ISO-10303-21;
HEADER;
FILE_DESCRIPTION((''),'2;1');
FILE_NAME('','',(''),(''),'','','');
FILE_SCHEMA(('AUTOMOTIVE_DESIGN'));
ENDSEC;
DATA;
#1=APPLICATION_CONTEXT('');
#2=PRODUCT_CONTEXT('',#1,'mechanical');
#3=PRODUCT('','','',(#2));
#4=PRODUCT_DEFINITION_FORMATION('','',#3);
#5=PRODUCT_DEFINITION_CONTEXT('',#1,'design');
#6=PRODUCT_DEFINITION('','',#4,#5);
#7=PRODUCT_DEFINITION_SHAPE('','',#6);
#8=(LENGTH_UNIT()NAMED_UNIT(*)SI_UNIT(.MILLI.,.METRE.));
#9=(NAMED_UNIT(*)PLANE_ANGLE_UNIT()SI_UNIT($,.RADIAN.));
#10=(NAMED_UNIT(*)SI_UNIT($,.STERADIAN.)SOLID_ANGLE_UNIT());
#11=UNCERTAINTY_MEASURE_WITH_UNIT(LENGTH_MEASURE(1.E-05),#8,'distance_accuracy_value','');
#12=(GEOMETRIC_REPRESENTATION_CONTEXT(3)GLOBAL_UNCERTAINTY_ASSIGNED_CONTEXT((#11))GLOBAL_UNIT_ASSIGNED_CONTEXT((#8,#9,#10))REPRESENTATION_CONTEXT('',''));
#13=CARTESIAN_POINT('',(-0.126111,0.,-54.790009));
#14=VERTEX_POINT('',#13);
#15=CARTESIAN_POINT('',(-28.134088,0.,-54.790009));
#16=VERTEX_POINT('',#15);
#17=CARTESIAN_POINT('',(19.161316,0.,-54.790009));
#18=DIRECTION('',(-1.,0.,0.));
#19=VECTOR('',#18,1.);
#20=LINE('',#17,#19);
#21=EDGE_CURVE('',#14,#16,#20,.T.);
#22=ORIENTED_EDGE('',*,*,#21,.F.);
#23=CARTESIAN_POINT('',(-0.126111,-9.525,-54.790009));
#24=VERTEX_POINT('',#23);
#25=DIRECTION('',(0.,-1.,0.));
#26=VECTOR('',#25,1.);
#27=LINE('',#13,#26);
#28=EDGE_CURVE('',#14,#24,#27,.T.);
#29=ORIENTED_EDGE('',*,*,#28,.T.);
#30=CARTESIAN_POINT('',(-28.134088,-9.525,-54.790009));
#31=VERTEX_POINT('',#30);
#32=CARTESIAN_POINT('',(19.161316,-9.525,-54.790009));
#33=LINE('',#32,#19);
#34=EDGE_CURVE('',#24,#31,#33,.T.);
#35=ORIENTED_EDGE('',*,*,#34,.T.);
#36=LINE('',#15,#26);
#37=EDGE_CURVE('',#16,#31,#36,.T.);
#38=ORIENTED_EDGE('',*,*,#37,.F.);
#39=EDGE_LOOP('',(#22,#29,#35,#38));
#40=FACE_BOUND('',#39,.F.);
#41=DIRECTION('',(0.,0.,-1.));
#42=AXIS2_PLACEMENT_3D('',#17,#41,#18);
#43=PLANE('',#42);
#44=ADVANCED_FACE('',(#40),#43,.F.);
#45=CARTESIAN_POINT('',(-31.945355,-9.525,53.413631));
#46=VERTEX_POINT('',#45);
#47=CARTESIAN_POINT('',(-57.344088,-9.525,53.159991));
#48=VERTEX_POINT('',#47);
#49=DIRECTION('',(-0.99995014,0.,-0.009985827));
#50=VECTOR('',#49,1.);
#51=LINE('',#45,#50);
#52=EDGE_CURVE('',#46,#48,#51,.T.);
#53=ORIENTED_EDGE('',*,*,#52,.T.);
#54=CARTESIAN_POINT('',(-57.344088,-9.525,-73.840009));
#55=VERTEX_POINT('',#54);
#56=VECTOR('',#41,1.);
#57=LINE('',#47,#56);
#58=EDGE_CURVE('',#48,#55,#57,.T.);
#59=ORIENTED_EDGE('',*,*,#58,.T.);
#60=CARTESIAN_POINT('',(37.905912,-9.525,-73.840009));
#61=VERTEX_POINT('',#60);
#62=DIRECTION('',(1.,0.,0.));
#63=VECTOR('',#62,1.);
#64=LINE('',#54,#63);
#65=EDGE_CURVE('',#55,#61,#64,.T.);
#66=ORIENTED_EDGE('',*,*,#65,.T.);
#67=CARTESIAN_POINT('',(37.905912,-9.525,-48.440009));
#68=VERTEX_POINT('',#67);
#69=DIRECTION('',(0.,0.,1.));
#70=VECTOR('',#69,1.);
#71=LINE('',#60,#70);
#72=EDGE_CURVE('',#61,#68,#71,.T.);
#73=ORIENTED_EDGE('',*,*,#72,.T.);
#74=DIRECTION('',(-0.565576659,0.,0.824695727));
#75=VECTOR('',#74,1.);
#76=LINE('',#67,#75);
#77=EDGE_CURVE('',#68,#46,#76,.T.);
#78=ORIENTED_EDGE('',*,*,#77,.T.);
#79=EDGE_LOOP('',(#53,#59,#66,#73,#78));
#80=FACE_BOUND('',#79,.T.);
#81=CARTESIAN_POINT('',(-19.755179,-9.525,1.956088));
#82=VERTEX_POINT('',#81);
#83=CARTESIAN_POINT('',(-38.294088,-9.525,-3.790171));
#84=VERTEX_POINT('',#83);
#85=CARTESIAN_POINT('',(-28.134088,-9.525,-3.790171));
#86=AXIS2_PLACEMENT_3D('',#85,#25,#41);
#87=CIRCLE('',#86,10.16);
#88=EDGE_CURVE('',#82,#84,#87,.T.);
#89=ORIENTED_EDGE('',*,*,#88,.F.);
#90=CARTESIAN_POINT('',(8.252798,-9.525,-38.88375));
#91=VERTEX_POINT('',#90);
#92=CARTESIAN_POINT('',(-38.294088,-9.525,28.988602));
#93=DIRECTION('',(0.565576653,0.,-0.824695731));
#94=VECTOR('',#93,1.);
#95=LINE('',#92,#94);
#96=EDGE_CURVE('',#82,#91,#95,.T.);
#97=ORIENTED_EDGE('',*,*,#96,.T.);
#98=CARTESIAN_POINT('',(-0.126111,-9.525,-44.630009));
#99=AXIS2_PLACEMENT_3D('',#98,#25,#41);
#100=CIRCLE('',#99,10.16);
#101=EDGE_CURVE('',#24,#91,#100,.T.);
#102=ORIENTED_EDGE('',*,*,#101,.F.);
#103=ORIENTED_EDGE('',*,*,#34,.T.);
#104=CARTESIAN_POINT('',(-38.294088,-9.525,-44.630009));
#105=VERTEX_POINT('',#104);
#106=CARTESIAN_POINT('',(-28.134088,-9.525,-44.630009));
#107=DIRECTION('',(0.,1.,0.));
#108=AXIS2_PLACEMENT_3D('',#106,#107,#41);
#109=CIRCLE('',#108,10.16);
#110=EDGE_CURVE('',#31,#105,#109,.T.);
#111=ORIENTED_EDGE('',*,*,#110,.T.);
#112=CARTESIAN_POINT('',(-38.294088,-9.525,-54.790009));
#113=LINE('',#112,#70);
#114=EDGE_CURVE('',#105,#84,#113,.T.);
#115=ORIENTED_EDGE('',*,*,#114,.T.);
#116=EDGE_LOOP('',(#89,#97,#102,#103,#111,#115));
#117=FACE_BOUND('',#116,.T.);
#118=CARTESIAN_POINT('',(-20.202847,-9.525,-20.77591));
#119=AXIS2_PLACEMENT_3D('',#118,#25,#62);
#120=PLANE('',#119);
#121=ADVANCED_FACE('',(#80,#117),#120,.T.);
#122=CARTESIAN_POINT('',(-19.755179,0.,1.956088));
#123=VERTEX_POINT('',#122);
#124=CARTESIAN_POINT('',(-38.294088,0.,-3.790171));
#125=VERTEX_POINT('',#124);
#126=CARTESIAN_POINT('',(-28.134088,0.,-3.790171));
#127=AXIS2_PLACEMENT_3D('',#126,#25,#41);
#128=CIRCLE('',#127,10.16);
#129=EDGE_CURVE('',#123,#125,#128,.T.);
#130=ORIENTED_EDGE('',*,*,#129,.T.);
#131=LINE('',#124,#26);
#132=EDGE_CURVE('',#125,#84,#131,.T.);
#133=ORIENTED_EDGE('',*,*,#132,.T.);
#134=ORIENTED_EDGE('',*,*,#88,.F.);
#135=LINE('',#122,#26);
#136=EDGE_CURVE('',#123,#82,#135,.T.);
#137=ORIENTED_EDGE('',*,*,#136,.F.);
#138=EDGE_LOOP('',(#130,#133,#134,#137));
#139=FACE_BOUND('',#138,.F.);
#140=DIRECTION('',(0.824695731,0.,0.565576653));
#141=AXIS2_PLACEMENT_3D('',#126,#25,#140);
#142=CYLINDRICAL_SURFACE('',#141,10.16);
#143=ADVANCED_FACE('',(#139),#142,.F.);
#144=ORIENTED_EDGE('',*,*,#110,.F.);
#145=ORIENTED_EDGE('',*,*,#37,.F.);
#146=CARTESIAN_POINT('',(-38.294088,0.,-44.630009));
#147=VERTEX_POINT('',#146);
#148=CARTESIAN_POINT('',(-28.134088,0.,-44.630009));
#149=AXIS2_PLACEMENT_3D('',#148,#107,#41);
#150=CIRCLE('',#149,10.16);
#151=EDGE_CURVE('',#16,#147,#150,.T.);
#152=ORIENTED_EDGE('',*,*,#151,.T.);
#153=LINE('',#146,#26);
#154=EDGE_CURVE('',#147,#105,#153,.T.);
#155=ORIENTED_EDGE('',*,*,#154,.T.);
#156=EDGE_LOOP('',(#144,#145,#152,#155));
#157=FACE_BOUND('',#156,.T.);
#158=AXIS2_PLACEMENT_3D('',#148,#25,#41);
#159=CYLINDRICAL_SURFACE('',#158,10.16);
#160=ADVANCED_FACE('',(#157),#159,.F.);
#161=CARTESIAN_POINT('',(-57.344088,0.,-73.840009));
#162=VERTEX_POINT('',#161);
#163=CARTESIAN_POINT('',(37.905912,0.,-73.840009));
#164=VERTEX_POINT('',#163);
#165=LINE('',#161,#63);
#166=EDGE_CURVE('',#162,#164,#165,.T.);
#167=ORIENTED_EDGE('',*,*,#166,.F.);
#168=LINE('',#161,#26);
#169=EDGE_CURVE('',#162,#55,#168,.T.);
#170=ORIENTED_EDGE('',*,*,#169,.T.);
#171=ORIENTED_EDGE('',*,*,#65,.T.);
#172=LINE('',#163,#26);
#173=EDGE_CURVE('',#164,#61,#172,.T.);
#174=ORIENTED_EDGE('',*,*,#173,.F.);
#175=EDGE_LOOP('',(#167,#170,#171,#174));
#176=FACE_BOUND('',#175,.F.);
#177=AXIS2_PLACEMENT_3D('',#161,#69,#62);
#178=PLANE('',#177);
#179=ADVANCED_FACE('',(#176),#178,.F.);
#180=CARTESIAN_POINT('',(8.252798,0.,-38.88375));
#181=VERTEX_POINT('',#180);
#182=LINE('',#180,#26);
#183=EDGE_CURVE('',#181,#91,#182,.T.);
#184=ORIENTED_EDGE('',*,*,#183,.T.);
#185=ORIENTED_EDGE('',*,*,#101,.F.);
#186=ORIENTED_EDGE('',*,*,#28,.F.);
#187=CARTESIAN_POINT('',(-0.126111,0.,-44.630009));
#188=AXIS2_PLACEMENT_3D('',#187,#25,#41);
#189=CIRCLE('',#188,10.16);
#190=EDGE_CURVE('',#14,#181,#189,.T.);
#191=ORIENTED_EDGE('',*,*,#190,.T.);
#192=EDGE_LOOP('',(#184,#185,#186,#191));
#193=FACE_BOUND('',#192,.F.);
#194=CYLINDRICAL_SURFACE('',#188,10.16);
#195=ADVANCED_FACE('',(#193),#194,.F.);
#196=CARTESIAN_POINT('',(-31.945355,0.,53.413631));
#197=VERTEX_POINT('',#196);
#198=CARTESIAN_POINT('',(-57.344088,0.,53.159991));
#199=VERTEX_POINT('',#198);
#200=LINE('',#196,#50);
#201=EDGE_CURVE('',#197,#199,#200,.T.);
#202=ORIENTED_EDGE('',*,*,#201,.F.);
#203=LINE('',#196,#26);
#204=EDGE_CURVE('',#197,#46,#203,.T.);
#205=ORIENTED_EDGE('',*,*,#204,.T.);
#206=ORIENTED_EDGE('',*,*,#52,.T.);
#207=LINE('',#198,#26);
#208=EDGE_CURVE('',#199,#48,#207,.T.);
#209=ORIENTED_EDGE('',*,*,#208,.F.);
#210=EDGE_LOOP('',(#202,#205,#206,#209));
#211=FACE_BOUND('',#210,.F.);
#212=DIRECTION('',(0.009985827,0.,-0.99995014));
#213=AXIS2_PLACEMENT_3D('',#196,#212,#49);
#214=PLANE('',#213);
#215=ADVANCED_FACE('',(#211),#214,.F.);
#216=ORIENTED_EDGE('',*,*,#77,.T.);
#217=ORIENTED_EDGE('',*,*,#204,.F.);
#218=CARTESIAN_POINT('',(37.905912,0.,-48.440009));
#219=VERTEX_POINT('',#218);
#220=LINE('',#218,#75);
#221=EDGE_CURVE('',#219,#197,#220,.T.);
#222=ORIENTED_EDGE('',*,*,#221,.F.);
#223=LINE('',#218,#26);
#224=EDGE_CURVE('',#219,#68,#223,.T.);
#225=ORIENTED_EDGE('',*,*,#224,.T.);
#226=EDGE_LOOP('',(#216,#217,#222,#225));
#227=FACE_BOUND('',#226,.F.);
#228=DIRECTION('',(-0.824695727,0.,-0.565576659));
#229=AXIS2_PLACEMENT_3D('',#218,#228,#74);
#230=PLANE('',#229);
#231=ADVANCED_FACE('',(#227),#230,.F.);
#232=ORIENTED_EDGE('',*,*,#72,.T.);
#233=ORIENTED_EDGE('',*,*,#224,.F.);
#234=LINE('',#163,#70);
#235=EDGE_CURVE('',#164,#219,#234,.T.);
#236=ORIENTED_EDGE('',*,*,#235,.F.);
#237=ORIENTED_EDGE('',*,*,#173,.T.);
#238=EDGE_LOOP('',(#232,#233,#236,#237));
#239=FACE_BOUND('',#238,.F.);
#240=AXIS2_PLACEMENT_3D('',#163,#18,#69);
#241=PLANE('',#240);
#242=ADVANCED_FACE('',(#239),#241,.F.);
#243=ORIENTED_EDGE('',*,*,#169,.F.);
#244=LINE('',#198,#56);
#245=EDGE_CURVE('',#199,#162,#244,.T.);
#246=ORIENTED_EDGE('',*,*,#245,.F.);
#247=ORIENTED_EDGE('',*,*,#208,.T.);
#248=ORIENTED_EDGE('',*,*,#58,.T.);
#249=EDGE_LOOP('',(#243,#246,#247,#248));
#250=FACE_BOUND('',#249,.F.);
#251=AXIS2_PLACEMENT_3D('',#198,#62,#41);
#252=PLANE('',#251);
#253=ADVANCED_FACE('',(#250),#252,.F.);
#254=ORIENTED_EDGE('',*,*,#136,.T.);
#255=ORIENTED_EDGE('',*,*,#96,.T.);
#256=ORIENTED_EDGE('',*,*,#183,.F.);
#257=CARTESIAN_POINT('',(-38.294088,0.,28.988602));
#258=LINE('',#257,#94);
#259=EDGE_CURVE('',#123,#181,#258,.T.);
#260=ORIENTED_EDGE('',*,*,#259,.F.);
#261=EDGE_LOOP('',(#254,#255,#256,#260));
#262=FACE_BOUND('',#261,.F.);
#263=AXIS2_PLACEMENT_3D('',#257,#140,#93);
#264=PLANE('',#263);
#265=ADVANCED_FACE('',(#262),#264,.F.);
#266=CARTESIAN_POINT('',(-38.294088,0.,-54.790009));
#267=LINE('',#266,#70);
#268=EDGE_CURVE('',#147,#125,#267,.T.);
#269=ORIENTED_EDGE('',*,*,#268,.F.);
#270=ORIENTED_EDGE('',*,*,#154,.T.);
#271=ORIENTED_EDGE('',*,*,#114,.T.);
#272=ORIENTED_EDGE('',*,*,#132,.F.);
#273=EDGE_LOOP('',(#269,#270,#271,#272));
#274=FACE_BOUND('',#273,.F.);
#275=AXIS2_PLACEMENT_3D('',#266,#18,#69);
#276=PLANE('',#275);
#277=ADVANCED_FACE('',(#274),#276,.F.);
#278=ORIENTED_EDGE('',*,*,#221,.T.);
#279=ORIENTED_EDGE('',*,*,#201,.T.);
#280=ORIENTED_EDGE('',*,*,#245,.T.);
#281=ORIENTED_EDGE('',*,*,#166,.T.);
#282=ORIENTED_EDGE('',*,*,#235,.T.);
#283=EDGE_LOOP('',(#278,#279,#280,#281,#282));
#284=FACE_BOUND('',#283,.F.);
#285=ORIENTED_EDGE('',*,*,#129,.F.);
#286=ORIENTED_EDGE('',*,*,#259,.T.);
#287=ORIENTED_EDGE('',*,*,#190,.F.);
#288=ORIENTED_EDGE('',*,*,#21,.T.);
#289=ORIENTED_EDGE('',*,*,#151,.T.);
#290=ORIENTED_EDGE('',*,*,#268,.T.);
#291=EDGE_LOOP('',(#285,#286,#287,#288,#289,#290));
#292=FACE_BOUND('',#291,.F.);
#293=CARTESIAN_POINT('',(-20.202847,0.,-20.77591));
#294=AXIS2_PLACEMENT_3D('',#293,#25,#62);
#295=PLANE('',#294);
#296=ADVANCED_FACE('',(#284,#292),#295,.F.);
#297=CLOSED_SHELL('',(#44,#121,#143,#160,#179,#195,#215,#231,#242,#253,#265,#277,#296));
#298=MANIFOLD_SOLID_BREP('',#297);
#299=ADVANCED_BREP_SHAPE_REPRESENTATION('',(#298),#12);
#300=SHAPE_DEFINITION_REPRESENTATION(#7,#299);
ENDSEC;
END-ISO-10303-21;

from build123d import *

# Parameters (mm, degrees)
F1_DEPTH = 9.525
F2_R     = 10.16


with BuildPart() as f1:
    # F0 (on Front) → F1 (new body)
    with BuildSketch(Plane.XZ):
        Polygon((-31.945355, 53.413631), (-57.344088, 53.159991), (-57.344088, -73.840009), (37.905912, -73.840009), (37.905912, -48.440009), align=None)
        Polygon((-38.294088, -54.790009), (-38.294088, 28.988602), (19.161316, -54.790009), align=None, mode=Mode.SUBTRACT)
    extrude(amount=F1_DEPTH)

    # F2
    f2_edges = [f1.edges().sort_by_distance(p)[0] for p in [
        (-38.294088, -4.7625, -54.790009),
        (19.161316, -4.7625, -54.790009),
        (-38.294088, -4.7625, 28.988602),
    ]]
    fillet(f2_edges, radius=F2_R)


solid = f1.part
